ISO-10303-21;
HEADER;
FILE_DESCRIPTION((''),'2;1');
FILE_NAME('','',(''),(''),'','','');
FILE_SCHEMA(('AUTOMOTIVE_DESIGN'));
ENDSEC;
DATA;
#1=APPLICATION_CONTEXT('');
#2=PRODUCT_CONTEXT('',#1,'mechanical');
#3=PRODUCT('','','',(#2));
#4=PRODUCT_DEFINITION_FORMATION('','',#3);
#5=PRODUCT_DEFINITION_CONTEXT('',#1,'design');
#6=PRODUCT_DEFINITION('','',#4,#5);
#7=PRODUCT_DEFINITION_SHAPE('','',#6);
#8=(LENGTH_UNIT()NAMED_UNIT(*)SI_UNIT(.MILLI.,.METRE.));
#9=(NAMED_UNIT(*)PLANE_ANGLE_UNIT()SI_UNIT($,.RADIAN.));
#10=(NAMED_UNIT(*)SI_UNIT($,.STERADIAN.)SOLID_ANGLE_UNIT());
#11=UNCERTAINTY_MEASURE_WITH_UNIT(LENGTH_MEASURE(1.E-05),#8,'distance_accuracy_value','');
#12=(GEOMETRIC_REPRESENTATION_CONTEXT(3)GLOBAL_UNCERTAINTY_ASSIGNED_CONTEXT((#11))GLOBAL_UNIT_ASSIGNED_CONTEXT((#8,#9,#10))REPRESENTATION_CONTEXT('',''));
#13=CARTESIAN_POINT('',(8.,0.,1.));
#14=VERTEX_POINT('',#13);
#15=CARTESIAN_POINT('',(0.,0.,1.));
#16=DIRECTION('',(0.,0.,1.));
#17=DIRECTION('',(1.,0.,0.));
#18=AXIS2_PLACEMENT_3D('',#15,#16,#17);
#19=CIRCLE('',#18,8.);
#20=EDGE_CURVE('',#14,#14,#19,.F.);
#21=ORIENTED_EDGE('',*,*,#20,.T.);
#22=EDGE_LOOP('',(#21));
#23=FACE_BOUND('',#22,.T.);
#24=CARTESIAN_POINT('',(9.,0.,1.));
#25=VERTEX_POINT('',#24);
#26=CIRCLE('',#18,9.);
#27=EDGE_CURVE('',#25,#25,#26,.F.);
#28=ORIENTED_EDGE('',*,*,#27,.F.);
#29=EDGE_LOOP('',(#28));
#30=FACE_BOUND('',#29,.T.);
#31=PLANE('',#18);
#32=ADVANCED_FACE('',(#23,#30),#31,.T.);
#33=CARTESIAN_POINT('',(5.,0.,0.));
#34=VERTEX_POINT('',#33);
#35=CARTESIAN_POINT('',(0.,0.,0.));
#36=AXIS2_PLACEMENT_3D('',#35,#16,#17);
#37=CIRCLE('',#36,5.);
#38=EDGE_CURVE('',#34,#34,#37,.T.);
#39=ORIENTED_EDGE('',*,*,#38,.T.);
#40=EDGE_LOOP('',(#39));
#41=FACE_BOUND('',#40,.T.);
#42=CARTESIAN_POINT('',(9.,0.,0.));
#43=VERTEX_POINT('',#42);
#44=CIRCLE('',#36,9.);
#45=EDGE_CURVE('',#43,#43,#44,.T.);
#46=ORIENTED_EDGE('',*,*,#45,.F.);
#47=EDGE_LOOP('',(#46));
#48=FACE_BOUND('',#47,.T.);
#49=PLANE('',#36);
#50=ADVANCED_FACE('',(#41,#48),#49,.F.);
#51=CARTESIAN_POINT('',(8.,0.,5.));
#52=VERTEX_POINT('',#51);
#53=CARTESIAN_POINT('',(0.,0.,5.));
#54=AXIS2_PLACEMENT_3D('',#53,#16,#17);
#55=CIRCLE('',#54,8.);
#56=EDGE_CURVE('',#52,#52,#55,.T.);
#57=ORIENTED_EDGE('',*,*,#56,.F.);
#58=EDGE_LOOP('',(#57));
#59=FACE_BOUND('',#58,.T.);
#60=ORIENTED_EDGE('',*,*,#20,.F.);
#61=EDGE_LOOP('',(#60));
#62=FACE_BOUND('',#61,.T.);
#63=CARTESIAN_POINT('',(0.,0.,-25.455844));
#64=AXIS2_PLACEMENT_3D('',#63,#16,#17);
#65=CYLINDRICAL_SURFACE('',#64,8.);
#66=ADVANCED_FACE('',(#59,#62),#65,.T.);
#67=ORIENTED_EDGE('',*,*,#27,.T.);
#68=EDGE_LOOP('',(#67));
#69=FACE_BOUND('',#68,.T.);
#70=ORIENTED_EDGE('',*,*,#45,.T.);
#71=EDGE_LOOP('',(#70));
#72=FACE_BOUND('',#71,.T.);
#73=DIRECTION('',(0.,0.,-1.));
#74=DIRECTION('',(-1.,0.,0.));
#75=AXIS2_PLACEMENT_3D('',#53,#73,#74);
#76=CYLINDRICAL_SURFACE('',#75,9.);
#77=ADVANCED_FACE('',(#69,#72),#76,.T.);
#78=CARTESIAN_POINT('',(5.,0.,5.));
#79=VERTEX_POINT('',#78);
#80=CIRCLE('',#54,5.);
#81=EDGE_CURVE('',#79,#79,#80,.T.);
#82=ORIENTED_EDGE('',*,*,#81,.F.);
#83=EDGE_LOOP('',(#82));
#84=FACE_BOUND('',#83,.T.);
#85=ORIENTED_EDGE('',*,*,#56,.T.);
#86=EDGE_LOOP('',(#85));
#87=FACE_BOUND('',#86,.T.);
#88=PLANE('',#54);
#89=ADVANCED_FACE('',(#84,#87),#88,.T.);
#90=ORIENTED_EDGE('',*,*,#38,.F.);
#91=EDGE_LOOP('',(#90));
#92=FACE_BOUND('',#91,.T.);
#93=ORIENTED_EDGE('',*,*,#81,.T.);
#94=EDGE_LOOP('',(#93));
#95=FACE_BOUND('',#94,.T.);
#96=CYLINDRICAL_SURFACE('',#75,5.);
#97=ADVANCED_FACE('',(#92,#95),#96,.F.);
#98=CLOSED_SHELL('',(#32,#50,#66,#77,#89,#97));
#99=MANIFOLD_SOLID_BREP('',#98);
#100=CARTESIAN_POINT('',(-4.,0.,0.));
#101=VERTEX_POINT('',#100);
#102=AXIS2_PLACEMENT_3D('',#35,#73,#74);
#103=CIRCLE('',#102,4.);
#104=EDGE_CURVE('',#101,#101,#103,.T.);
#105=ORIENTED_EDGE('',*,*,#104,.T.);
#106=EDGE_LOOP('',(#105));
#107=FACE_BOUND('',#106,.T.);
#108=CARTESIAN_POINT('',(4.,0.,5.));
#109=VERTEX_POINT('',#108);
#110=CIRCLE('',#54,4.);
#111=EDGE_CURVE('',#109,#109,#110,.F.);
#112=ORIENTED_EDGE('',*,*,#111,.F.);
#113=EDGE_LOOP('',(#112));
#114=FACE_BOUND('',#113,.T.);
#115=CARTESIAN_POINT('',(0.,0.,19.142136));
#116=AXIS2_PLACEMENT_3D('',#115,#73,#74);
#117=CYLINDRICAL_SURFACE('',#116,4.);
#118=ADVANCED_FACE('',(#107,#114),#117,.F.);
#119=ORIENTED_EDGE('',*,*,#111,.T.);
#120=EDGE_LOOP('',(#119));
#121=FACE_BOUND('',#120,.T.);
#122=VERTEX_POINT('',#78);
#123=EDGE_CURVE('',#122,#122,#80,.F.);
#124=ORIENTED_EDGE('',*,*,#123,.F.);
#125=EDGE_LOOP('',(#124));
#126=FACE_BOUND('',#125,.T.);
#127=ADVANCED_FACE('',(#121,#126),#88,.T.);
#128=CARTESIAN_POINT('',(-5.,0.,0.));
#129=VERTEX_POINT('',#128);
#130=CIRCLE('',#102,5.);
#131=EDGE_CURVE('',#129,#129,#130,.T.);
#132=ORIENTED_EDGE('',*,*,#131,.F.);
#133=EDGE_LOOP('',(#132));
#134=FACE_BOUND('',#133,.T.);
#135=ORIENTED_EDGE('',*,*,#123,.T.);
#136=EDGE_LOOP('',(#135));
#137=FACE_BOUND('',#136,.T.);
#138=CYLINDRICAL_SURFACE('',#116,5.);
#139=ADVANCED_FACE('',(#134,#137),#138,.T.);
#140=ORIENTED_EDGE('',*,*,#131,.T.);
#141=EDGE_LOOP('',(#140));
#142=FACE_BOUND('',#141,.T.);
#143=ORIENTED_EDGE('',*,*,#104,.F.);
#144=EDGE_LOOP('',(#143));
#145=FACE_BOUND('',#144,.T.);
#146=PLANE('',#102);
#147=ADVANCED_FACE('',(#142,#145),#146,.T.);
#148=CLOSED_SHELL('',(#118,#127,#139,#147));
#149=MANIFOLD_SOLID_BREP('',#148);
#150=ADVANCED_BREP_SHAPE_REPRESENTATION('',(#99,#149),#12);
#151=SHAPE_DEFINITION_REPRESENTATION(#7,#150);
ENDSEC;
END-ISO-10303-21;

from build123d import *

# Parameters (mm, degrees)
SKETCH_1_R          = 9
SKETCH_1_R_2        = 5
EXTRUDE_1_DEPTH     = 5
CUT_EXTRUDE_START   = -4
SKETCH_2_R          = 9
SKETCH_2_R_2        = 8
CUT_EXTRUDE_1_DEPTH = 4
SKETCH_3_R          = 5
SKETCH_3_R_2        = 4
EXTRUDE_2_DEPTH     = 5


with BuildPart() as part:
    # Эскиз1 → Бобышка-Вытянуть1 (new body)
    with BuildSketch(Plane.XY):
        Circle(SKETCH_1_R)
        Circle(SKETCH_1_R_2, mode=Mode.SUBTRACT)
    extrude(amount=EXTRUDE_1_DEPTH)

    # Эскиз2 → Вырез-Вытянуть1 (cut)
    with BuildSketch(Plane.XY.offset(5).offset(CUT_EXTRUDE_START)):
        Circle(SKETCH_2_R)
        Circle(SKETCH_2_R_2, mode=Mode.SUBTRACT)
    extrude(amount=CUT_EXTRUDE_1_DEPTH, mode=Mode.SUBTRACT)


with BuildPart() as body_2:
    # Эскиз3 → Бобышка-Вытянуть2 (new body)
    with BuildSketch(Plane(origin=(0, 0, 0), x_dir=(-1, 0, 0), z_dir=(0, 0, -1))):
        Circle(SKETCH_3_R)
        Circle(SKETCH_3_R_2, mode=Mode.SUBTRACT)
    extrude(amount=-EXTRUDE_2_DEPTH)


solid = Compound([part.part, body_2.part])
